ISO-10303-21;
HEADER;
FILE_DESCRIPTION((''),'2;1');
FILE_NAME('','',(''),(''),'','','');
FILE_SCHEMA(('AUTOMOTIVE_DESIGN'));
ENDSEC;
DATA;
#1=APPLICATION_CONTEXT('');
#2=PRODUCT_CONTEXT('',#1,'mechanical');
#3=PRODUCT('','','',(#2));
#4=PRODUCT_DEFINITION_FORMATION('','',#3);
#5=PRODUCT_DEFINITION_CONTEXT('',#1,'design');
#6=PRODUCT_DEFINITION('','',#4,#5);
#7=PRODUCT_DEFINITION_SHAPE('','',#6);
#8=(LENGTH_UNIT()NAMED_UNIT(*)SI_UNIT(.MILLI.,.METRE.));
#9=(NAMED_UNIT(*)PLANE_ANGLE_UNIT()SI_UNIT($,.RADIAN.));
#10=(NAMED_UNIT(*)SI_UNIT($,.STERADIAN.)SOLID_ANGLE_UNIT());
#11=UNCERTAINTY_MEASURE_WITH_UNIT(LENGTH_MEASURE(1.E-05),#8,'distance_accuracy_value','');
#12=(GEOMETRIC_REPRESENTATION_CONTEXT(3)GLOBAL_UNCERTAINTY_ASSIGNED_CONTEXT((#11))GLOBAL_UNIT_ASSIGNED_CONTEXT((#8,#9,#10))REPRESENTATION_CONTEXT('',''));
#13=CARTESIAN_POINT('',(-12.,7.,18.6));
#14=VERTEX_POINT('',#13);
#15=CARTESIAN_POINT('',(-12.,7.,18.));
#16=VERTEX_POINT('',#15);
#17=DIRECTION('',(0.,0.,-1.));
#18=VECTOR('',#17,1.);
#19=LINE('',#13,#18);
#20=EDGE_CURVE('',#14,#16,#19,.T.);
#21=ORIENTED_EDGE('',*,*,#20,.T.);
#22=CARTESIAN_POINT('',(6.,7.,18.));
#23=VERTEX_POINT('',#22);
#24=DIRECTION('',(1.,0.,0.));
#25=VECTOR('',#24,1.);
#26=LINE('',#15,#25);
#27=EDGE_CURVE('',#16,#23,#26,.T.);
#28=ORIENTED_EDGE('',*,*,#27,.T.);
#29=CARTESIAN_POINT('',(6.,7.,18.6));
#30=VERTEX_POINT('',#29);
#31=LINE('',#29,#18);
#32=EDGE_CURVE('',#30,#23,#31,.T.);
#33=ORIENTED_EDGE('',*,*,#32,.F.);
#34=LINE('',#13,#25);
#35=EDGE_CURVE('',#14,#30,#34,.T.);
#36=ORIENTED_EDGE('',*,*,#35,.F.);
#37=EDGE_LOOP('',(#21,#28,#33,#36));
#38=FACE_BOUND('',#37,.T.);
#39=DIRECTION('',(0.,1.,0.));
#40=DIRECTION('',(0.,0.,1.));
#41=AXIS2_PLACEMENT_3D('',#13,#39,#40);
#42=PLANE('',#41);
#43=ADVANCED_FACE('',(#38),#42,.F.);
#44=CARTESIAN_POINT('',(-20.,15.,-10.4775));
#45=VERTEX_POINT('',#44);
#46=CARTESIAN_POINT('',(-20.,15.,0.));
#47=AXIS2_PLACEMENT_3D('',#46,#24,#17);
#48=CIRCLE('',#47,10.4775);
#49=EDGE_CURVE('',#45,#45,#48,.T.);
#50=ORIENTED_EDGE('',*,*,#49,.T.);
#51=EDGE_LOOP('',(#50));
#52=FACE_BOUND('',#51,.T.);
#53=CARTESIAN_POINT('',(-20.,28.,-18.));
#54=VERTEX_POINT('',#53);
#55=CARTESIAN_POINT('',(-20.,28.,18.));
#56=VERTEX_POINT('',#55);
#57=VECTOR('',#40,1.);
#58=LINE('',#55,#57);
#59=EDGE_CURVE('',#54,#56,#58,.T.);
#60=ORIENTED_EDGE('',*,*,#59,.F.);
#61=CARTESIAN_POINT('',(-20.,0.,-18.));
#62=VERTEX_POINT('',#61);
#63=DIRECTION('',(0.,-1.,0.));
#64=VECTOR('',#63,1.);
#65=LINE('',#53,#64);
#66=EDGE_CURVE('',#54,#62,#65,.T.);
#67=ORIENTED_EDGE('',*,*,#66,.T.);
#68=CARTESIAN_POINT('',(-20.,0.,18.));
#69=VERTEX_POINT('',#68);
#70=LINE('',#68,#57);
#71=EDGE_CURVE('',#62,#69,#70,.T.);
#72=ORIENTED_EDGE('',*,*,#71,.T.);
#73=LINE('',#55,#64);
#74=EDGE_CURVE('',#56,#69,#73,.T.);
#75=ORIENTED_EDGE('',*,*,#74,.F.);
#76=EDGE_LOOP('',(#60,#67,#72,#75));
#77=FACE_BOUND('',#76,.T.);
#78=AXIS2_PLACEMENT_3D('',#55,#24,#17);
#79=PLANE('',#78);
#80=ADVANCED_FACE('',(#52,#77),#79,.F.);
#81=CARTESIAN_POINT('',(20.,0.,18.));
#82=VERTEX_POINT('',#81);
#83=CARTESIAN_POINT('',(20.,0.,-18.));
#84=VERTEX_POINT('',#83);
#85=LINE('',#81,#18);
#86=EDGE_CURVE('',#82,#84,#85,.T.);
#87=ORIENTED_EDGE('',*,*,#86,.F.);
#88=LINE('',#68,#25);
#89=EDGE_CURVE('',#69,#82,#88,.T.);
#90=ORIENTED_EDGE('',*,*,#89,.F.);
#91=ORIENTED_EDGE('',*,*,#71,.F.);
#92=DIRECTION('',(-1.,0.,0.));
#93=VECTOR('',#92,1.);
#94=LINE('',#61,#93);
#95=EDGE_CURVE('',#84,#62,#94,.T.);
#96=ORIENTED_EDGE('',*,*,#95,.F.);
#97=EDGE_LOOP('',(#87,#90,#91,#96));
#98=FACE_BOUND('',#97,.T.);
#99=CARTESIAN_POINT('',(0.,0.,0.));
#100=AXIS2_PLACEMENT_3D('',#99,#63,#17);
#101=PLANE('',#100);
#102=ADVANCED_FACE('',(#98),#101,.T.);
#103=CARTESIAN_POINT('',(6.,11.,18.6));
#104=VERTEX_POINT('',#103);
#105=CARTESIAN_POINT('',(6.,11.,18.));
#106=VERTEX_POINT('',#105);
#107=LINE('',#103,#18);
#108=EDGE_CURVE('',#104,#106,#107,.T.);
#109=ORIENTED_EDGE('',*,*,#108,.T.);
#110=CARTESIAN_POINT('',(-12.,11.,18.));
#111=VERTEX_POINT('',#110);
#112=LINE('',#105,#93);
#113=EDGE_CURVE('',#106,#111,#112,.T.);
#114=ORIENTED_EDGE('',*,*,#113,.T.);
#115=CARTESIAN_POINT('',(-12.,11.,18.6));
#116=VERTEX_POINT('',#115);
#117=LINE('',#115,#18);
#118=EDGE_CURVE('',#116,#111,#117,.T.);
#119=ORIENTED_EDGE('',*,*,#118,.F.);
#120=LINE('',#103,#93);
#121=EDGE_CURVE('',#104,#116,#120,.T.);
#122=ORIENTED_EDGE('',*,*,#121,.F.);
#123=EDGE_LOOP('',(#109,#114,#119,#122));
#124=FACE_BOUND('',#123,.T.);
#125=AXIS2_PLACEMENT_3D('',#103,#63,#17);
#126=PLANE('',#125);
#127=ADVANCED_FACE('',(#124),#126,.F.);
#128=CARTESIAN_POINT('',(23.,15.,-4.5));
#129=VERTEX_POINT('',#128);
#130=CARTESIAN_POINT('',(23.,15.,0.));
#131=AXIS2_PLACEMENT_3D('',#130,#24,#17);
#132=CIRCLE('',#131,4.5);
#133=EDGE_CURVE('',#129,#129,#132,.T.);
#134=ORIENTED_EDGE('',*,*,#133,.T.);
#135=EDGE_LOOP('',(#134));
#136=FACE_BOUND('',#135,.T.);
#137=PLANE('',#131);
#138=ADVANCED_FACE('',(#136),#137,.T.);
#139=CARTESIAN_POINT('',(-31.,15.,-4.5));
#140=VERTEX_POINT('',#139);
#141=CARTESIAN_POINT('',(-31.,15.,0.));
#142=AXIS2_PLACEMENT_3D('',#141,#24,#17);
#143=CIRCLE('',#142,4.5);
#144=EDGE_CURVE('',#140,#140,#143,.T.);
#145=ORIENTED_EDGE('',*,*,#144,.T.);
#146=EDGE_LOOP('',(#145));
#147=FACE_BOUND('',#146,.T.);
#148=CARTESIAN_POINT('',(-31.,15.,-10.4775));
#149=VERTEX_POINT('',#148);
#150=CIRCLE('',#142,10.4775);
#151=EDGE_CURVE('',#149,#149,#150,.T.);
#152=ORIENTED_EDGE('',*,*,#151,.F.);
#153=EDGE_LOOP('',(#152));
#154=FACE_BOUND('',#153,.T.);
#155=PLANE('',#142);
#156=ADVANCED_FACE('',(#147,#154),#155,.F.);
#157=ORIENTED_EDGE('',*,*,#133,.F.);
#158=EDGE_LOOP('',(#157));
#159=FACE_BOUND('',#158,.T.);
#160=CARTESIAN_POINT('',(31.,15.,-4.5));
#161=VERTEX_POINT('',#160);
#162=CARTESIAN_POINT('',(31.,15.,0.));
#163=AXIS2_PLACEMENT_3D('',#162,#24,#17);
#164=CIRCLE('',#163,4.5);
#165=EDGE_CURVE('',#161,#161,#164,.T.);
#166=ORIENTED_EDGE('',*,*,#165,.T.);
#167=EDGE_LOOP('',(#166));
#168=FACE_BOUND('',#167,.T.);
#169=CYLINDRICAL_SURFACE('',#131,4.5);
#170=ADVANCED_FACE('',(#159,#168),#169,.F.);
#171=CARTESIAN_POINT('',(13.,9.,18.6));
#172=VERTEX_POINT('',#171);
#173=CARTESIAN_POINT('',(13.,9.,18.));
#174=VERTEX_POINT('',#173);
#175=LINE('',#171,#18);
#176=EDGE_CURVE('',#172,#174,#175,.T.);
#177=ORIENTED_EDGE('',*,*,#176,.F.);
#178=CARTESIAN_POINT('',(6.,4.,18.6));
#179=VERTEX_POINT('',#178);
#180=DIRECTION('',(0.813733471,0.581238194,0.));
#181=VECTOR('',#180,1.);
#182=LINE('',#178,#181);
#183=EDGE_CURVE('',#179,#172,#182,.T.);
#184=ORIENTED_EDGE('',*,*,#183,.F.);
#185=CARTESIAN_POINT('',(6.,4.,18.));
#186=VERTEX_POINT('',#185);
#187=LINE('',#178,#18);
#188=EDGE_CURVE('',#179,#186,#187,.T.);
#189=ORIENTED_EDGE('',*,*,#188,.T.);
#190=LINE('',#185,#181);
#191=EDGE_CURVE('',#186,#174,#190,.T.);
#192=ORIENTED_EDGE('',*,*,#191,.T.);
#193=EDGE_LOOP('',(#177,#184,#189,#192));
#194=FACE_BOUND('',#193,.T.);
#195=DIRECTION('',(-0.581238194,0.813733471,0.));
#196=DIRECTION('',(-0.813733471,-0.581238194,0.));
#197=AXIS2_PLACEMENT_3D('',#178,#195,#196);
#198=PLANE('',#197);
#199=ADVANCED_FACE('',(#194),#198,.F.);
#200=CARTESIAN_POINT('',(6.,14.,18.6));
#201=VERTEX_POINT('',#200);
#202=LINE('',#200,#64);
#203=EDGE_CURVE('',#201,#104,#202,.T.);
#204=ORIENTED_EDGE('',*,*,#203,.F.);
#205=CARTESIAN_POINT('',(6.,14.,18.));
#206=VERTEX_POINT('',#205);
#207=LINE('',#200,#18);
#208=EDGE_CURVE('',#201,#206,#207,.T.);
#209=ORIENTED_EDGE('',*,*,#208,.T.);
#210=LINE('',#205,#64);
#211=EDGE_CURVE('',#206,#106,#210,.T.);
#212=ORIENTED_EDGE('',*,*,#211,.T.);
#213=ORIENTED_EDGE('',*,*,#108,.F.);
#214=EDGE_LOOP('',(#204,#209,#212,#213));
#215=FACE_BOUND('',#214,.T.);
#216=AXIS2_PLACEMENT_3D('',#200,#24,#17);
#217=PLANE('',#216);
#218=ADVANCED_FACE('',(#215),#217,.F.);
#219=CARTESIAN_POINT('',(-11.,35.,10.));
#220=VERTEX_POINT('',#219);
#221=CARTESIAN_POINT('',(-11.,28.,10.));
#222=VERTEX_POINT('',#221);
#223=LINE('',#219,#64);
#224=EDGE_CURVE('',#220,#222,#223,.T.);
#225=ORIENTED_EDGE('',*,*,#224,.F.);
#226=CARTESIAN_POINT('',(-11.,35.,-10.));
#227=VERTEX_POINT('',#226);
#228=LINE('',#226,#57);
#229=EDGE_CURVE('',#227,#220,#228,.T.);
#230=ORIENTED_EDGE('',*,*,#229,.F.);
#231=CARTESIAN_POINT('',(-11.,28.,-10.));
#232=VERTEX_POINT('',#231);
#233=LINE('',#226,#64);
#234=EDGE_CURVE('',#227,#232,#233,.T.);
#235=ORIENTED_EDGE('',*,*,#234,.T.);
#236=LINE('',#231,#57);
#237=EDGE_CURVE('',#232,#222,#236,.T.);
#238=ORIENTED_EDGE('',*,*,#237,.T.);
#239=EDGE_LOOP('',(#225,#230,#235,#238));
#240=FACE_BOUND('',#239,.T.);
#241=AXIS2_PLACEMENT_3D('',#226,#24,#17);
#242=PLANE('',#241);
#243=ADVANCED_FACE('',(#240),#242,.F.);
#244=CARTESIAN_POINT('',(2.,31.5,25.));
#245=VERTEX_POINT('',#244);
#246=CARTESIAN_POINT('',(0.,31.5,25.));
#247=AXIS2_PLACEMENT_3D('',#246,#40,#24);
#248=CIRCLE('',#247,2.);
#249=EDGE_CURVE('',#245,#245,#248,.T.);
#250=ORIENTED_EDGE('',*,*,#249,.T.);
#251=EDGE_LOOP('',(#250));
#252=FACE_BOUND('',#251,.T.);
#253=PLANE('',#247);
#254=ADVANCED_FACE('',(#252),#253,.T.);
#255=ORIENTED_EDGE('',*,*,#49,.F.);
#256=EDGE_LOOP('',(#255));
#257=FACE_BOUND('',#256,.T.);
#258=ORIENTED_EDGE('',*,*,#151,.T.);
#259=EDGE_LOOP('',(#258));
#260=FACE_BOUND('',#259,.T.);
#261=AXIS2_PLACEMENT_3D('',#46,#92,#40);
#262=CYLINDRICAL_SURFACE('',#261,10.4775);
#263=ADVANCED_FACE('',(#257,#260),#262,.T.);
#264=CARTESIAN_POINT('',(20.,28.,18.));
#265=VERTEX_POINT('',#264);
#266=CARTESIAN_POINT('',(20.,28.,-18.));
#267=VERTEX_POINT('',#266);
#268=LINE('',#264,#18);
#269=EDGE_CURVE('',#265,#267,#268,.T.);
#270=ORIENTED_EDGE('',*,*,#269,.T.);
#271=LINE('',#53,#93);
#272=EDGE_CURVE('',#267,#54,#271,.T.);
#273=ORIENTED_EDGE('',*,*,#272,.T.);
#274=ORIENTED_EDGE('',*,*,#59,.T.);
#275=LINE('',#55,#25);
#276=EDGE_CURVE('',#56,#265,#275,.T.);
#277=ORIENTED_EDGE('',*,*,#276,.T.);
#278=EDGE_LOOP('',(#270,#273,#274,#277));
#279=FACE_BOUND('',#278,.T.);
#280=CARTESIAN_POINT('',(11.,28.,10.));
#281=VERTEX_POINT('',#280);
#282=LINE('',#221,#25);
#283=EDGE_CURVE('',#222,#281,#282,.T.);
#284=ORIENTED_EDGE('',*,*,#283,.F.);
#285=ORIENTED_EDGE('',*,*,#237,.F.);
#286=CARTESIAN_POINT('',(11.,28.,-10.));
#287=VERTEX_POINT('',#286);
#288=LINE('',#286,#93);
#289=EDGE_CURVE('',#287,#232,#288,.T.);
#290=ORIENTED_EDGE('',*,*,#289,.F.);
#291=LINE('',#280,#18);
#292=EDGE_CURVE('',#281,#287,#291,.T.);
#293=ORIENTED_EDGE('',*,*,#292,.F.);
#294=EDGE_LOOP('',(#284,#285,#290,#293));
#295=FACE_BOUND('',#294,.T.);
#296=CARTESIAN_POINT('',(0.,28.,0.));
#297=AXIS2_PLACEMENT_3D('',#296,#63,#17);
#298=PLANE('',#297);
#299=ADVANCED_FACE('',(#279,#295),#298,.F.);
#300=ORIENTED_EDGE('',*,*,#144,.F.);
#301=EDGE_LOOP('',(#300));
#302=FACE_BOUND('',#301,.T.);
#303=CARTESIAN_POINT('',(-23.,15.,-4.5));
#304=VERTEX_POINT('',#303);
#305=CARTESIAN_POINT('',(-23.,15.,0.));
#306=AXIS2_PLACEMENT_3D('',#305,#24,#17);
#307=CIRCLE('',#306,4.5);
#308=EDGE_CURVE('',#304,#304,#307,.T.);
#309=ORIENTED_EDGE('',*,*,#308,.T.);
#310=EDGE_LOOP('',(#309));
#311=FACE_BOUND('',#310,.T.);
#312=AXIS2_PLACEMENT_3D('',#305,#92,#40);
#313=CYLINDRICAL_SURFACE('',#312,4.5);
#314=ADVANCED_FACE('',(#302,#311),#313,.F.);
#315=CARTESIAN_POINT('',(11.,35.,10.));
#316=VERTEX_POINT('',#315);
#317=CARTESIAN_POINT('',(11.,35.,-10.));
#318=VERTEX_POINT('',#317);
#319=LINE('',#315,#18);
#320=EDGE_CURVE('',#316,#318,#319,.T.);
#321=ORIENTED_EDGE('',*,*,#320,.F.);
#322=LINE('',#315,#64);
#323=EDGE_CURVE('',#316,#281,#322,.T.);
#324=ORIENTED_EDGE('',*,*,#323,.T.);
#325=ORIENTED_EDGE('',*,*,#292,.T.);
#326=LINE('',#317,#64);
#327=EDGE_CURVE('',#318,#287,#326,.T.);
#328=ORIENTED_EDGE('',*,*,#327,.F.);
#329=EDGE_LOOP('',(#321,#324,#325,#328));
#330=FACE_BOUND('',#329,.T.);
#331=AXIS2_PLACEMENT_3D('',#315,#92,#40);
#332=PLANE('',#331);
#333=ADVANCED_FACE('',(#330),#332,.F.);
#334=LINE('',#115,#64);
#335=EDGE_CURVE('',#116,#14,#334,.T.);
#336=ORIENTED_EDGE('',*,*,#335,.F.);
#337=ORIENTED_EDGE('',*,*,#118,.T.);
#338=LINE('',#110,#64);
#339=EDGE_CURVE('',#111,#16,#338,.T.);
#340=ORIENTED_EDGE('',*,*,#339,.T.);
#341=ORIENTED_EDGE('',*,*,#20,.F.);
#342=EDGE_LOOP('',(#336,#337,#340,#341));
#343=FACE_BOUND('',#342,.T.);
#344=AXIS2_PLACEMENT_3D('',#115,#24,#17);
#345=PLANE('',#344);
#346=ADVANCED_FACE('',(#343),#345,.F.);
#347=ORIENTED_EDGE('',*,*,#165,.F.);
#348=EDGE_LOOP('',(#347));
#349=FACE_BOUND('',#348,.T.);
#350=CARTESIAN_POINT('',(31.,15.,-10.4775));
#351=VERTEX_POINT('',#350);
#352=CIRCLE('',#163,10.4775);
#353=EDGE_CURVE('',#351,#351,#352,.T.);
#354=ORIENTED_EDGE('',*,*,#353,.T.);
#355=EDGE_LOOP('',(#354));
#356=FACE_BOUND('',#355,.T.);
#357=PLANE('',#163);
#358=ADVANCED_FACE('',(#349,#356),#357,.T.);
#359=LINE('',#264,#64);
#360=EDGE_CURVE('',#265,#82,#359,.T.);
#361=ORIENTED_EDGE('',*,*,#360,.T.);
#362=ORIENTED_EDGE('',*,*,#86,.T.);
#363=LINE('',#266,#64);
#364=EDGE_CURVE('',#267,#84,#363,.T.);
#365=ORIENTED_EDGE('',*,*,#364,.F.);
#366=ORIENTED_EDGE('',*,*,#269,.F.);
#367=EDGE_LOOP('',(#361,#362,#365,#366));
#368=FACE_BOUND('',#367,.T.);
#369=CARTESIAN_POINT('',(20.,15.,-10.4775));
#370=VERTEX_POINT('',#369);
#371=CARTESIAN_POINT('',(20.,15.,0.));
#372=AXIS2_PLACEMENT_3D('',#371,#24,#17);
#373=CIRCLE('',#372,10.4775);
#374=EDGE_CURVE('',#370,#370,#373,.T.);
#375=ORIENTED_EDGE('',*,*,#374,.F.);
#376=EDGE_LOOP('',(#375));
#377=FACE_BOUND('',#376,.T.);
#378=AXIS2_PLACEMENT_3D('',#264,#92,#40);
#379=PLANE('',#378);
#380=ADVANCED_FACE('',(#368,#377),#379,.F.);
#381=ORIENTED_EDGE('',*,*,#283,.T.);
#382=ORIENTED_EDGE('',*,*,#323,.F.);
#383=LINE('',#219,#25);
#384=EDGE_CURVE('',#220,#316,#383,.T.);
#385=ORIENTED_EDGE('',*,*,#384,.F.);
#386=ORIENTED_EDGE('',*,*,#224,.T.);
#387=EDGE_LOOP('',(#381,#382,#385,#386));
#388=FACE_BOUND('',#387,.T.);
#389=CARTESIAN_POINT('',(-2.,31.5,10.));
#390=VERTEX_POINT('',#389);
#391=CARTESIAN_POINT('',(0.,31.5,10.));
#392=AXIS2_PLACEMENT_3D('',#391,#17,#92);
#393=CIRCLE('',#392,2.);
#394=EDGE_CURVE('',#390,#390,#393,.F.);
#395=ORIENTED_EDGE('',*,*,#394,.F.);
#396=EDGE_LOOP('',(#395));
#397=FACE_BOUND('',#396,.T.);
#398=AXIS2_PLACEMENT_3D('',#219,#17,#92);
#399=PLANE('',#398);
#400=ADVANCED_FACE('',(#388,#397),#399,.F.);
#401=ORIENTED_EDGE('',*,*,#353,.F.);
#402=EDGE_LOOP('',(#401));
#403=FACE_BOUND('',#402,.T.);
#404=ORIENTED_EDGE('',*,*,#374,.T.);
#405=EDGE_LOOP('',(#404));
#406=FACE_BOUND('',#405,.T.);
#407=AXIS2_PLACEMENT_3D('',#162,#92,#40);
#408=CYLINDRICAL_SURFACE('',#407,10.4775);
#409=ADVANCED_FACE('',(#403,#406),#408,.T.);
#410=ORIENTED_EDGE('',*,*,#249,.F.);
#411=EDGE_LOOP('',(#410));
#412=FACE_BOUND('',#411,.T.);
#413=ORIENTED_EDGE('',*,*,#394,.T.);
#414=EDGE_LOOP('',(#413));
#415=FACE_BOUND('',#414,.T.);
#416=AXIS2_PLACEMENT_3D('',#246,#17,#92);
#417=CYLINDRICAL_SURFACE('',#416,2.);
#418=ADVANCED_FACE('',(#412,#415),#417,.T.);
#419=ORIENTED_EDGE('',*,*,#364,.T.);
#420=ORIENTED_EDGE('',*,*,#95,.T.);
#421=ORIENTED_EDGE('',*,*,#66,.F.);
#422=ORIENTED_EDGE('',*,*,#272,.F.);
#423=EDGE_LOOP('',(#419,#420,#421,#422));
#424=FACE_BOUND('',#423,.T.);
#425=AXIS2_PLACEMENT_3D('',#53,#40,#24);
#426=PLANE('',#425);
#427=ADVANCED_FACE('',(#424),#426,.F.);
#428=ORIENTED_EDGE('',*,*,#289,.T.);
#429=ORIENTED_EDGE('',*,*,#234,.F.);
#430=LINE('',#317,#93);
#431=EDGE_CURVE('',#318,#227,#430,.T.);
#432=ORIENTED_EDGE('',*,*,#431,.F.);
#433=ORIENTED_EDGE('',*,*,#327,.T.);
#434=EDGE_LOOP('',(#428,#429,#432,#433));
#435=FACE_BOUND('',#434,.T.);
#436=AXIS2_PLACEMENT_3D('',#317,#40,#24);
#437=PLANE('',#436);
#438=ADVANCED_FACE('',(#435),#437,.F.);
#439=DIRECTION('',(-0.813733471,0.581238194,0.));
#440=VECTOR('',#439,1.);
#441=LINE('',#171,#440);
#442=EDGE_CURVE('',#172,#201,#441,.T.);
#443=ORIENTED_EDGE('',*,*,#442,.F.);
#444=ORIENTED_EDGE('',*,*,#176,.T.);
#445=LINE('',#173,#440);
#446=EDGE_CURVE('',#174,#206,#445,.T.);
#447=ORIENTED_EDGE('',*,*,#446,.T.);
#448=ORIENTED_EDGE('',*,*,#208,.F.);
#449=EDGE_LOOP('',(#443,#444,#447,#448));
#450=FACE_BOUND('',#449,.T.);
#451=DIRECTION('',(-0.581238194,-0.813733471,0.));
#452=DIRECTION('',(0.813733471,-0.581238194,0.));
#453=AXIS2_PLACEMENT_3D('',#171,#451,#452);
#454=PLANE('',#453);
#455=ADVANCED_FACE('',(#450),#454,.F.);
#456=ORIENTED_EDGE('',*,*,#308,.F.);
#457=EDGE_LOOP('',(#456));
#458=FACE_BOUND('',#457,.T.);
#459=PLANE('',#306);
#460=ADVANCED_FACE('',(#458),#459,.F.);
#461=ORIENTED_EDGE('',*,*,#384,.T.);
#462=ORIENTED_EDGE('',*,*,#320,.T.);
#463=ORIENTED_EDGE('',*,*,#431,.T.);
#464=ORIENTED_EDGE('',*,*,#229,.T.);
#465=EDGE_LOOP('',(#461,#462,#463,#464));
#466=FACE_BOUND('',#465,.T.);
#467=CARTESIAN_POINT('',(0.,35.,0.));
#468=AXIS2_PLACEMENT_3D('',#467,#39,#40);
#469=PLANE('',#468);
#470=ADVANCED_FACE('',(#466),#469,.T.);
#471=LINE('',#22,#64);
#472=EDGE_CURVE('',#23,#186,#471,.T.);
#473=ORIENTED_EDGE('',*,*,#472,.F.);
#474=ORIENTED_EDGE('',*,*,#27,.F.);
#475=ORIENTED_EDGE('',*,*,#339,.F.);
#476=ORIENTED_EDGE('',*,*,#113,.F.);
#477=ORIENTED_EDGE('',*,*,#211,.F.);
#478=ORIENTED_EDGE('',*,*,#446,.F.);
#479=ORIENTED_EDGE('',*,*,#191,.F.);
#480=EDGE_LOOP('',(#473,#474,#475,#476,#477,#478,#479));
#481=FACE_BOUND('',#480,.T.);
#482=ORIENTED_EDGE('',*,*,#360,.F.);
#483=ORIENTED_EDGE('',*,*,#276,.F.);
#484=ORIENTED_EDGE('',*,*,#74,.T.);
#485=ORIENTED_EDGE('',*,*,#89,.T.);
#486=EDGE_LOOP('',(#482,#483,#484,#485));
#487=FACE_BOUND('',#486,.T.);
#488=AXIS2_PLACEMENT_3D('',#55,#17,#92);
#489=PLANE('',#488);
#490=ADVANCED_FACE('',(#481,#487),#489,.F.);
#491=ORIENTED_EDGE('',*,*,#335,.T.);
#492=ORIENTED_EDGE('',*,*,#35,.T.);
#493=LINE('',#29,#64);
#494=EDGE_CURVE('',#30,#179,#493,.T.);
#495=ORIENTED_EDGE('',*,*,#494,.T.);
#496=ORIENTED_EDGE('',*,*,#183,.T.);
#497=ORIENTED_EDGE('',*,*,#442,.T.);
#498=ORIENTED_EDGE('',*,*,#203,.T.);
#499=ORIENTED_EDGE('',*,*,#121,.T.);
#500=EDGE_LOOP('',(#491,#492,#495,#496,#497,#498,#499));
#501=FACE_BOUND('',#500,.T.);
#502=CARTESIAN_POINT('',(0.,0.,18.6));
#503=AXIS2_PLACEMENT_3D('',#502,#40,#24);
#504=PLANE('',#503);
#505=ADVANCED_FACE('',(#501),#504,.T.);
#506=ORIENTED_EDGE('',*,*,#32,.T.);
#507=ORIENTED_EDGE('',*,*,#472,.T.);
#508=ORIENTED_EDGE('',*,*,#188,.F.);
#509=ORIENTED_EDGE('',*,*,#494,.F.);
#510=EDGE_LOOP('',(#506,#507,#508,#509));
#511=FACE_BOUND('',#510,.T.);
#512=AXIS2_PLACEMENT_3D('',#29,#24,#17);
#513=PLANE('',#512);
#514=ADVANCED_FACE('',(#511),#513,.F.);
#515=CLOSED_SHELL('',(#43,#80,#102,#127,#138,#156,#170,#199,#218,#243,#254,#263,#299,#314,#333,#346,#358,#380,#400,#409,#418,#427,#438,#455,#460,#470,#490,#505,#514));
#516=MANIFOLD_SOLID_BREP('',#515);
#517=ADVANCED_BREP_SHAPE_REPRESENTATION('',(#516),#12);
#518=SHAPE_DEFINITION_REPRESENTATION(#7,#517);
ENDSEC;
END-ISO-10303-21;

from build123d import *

# Parameters (mm, degrees)
SKETCH1_W            = 40
SKETCH1_H            = 36
BODY_DEPTH           = 28
SENSOR_HOUSING_START = 28
SKETCH2_W            = 22
SKETCH2_H            = 20
SENSOR_HOUSING_DEPTH = 7
INLET_THREAD_START   = -31
SKETCH3_R            = 10.4775
INLET_THREAD_DEPTH   = 11
OUTLET_THREAD_START  = 20
SKETCH4_R            = 10.4775
OUTLET_THREAD_DEPTH  = 11
INLET_BORE_START     = -31
SKETCH5_R            = 4.5
INLET_BORE_DEPTH     = 8
OUTLET_BORE_START    = 23
SKETCH6_R            = 4.5
OUTLET_BORE_DEPTH    = 8
CABLE_STUB_START     = 10
SKETCH7_R            = 2
CABLE_STUB_DEPTH     = 15
FLOW_ARROW_START     = 18
FLOW_ARROW_DEPTH     = 0.6


with BuildPart() as part:
    # Sketch1 → Body (new body)
    with BuildSketch(Plane(origin=(0, 0, 0), x_dir=(1, 0, 0), z_dir=(0, 1, 0))):
        Rectangle(SKETCH1_W, SKETCH1_H)
    extrude(amount=BODY_DEPTH)

    # Sketch2 → Sensor_Housing (add)
    with BuildSketch(Plane(origin=(0, 0, 0), x_dir=(1, 0, 0), z_dir=(0, 1, 0)).offset(SENSOR_HOUSING_START)):
        Rectangle(SKETCH2_W, SKETCH2_H)
    extrude(amount=SENSOR_HOUSING_DEPTH)

    # Sketch3 → Inlet_Thread (add)
    with BuildSketch(Plane(origin=(0, 0, 0), x_dir=(0, 0, -1), z_dir=(1, 0, 0)).offset(INLET_THREAD_START)):
        with Locations((0, 15)):
            Circle(SKETCH3_R)
    extrude(amount=INLET_THREAD_DEPTH)

    # Sketch4 → Outlet_Thread (add)
    with BuildSketch(Plane(origin=(0, 0, 0), x_dir=(0, 0, -1), z_dir=(1, 0, 0)).offset(OUTLET_THREAD_START)):
        with Locations((0, 15)):
            Circle(SKETCH4_R)
    extrude(amount=OUTLET_THREAD_DEPTH)

    # Sketch5 → Inlet_Bore (cut)
    with BuildSketch(Plane(origin=(0, 0, 0), x_dir=(0, 0, -1), z_dir=(1, 0, 0)).offset(INLET_BORE_START)):
        with Locations((0, 15)):
            Circle(SKETCH5_R)
    extrude(amount=INLET_BORE_DEPTH, mode=Mode.SUBTRACT)

    # Sketch6 → Outlet_Bore (cut)
    with BuildSketch(Plane(origin=(0, 0, 0), x_dir=(0, 0, -1), z_dir=(1, 0, 0)).offset(OUTLET_BORE_START)):
        with Locations((0, 15)):
            Circle(SKETCH6_R)
    extrude(amount=OUTLET_BORE_DEPTH, mode=Mode.SUBTRACT)

    # Sketch7 → Cable_Stub (add)
    with BuildSketch(Plane.XY.offset(CABLE_STUB_START)):
        with Locations(Location((0, 31.5, 0), (0, 0, 180))):
            Circle(SKETCH7_R)
    extrude(amount=CABLE_STUB_DEPTH)

    # Sketch8 → Flow_Arrow (add)
    with BuildSketch(Plane.XY.offset(FLOW_ARROW_START)):
        Polygon((-12, 7), (6, 7), (6, 4), (13, 9), (6, 14), (6, 11), (-12, 11), align=None)
    extrude(amount=FLOW_ARROW_DEPTH)


solid = part.part
